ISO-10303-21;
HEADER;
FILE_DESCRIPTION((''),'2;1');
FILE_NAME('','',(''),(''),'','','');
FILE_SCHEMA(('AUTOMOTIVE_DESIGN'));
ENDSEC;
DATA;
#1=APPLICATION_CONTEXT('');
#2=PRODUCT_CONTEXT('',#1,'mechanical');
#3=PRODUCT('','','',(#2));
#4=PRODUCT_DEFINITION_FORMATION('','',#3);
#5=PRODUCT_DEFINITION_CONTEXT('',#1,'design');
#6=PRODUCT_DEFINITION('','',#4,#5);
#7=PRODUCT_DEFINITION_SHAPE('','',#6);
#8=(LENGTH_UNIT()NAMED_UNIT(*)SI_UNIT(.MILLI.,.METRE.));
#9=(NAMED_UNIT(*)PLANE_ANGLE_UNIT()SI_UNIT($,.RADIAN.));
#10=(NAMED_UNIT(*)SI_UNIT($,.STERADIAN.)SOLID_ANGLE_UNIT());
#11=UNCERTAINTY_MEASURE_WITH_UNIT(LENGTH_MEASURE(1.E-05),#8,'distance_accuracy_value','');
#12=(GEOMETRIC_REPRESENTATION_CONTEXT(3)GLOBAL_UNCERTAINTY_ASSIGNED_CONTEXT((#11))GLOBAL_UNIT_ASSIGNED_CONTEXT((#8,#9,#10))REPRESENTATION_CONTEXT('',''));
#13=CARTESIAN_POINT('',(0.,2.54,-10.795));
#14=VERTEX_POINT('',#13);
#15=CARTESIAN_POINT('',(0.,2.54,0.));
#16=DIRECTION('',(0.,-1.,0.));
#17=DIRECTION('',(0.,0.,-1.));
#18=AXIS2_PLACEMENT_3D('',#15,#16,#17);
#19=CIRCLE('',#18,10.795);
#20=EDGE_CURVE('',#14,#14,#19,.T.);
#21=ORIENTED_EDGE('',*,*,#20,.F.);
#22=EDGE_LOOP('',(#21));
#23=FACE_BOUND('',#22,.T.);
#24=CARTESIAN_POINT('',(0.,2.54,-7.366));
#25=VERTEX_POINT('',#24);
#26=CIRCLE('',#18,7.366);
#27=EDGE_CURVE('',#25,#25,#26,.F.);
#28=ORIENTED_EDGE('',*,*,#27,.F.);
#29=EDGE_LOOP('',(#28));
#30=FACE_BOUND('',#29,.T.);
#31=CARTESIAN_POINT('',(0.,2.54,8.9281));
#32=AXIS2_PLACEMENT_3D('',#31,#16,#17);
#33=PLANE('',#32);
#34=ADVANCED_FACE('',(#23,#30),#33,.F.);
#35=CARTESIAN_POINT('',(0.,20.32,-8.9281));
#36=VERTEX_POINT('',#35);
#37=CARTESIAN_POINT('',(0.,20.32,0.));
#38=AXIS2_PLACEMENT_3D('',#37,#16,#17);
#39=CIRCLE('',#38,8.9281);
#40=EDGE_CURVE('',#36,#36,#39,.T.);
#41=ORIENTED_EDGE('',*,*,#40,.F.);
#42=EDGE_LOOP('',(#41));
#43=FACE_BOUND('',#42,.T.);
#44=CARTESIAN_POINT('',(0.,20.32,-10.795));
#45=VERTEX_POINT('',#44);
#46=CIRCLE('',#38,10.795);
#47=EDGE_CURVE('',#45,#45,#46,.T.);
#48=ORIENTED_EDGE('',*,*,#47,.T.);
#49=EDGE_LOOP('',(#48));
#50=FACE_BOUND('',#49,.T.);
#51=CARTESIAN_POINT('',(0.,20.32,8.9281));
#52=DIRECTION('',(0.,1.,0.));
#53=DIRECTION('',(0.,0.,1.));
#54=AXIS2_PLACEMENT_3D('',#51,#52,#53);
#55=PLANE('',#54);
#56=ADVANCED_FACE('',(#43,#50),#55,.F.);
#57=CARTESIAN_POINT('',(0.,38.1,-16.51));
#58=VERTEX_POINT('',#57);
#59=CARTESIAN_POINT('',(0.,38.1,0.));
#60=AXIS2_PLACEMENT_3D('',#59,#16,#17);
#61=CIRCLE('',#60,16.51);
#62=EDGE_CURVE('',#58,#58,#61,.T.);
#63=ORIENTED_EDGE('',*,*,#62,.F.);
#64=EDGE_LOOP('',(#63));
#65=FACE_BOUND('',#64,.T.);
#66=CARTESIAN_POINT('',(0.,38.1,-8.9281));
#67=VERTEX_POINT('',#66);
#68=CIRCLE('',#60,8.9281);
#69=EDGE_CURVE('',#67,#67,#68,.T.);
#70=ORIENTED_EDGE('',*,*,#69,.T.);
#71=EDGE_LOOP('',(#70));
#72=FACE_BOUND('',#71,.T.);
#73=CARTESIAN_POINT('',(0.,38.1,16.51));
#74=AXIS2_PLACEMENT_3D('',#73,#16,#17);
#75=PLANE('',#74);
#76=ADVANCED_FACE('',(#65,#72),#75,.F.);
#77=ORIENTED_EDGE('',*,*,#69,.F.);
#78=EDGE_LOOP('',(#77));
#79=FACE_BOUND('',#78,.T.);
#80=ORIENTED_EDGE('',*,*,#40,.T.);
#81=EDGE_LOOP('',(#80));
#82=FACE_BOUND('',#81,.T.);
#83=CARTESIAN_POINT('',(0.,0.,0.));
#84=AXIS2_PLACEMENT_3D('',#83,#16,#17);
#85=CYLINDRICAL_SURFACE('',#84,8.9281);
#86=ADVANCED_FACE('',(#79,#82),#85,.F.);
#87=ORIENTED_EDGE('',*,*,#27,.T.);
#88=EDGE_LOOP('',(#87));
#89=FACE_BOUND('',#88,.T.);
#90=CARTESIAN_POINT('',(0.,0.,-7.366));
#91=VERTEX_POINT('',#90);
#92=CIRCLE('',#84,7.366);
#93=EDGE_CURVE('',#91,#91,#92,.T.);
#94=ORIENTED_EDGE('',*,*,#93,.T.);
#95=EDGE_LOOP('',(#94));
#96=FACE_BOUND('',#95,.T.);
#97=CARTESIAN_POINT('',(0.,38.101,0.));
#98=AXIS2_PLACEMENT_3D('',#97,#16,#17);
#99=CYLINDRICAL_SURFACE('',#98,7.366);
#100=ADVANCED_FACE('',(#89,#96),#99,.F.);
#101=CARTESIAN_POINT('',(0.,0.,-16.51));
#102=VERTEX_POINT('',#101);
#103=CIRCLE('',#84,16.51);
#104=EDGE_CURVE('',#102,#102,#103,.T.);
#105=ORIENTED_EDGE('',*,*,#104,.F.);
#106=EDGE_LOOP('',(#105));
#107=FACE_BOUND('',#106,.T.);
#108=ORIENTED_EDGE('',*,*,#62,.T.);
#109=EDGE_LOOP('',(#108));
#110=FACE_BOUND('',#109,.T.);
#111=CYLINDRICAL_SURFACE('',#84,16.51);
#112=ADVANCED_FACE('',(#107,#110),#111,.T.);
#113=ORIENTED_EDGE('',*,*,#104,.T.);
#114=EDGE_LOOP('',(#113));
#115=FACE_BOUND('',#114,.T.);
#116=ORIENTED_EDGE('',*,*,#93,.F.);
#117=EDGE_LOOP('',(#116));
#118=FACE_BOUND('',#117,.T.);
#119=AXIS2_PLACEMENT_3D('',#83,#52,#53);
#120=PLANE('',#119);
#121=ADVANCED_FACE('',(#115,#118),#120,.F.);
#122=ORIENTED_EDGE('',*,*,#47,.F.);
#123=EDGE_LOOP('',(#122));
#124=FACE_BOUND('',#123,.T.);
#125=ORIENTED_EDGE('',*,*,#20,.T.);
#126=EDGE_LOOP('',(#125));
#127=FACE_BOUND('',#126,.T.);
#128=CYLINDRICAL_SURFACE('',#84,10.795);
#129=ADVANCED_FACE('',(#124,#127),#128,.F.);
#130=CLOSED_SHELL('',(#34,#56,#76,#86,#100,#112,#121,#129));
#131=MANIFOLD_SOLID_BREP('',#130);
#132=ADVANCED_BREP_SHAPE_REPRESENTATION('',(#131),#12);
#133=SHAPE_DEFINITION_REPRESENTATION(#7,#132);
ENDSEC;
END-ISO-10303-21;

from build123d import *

# Parameters (mm, degrees)
CUT_EXTRUDE1_REACH = 46.685
SKETCH2_R          = 7.366


with BuildPart() as part:
    # Sketch1 → Revolve1 (revolve)
    with BuildSketch(Plane(origin=(0, 0, 0), x_dir=(0, 0, -1), z_dir=(1, 0, 0)), mode=Mode.PRIVATE) as revolve1_sk:
        Polygon((0, 0), (-16.51, 0), (-16.51, 38.1), (-8.9281, 38.1), (-8.9281, 20.32), (-10.795, 20.32), (-10.795, 2.54), (-8.9281, 2.54), (0, 2.54), align=None)
    revolve(revolve1_sk.sketch.rotate(Axis((0, 0, 0), (0, 1, 0)), 180), axis=Axis((0, 0, 0), (0, 1, 0)))

    # Sketch2 → Cut-Extrude1 (cut, up to next)
    with BuildSketch(Plane.XZ, mode=Mode.PRIVATE) as cut_extrude1_sk1:
        with Locations(Location((0, 0, 0), (0, 0, 270))):
            Circle(SKETCH2_R)
    cut_extrude1_tool1 = extrude(cut_extrude1_sk1.sketch, amount=-CUT_EXTRUDE1_REACH, mode=Mode.PRIVATE) & part.part
    add(cut_extrude1_tool1.solids().sort_by_distance((0, 0, 0))[0], mode=Mode.SUBTRACT)


solid = part.part
